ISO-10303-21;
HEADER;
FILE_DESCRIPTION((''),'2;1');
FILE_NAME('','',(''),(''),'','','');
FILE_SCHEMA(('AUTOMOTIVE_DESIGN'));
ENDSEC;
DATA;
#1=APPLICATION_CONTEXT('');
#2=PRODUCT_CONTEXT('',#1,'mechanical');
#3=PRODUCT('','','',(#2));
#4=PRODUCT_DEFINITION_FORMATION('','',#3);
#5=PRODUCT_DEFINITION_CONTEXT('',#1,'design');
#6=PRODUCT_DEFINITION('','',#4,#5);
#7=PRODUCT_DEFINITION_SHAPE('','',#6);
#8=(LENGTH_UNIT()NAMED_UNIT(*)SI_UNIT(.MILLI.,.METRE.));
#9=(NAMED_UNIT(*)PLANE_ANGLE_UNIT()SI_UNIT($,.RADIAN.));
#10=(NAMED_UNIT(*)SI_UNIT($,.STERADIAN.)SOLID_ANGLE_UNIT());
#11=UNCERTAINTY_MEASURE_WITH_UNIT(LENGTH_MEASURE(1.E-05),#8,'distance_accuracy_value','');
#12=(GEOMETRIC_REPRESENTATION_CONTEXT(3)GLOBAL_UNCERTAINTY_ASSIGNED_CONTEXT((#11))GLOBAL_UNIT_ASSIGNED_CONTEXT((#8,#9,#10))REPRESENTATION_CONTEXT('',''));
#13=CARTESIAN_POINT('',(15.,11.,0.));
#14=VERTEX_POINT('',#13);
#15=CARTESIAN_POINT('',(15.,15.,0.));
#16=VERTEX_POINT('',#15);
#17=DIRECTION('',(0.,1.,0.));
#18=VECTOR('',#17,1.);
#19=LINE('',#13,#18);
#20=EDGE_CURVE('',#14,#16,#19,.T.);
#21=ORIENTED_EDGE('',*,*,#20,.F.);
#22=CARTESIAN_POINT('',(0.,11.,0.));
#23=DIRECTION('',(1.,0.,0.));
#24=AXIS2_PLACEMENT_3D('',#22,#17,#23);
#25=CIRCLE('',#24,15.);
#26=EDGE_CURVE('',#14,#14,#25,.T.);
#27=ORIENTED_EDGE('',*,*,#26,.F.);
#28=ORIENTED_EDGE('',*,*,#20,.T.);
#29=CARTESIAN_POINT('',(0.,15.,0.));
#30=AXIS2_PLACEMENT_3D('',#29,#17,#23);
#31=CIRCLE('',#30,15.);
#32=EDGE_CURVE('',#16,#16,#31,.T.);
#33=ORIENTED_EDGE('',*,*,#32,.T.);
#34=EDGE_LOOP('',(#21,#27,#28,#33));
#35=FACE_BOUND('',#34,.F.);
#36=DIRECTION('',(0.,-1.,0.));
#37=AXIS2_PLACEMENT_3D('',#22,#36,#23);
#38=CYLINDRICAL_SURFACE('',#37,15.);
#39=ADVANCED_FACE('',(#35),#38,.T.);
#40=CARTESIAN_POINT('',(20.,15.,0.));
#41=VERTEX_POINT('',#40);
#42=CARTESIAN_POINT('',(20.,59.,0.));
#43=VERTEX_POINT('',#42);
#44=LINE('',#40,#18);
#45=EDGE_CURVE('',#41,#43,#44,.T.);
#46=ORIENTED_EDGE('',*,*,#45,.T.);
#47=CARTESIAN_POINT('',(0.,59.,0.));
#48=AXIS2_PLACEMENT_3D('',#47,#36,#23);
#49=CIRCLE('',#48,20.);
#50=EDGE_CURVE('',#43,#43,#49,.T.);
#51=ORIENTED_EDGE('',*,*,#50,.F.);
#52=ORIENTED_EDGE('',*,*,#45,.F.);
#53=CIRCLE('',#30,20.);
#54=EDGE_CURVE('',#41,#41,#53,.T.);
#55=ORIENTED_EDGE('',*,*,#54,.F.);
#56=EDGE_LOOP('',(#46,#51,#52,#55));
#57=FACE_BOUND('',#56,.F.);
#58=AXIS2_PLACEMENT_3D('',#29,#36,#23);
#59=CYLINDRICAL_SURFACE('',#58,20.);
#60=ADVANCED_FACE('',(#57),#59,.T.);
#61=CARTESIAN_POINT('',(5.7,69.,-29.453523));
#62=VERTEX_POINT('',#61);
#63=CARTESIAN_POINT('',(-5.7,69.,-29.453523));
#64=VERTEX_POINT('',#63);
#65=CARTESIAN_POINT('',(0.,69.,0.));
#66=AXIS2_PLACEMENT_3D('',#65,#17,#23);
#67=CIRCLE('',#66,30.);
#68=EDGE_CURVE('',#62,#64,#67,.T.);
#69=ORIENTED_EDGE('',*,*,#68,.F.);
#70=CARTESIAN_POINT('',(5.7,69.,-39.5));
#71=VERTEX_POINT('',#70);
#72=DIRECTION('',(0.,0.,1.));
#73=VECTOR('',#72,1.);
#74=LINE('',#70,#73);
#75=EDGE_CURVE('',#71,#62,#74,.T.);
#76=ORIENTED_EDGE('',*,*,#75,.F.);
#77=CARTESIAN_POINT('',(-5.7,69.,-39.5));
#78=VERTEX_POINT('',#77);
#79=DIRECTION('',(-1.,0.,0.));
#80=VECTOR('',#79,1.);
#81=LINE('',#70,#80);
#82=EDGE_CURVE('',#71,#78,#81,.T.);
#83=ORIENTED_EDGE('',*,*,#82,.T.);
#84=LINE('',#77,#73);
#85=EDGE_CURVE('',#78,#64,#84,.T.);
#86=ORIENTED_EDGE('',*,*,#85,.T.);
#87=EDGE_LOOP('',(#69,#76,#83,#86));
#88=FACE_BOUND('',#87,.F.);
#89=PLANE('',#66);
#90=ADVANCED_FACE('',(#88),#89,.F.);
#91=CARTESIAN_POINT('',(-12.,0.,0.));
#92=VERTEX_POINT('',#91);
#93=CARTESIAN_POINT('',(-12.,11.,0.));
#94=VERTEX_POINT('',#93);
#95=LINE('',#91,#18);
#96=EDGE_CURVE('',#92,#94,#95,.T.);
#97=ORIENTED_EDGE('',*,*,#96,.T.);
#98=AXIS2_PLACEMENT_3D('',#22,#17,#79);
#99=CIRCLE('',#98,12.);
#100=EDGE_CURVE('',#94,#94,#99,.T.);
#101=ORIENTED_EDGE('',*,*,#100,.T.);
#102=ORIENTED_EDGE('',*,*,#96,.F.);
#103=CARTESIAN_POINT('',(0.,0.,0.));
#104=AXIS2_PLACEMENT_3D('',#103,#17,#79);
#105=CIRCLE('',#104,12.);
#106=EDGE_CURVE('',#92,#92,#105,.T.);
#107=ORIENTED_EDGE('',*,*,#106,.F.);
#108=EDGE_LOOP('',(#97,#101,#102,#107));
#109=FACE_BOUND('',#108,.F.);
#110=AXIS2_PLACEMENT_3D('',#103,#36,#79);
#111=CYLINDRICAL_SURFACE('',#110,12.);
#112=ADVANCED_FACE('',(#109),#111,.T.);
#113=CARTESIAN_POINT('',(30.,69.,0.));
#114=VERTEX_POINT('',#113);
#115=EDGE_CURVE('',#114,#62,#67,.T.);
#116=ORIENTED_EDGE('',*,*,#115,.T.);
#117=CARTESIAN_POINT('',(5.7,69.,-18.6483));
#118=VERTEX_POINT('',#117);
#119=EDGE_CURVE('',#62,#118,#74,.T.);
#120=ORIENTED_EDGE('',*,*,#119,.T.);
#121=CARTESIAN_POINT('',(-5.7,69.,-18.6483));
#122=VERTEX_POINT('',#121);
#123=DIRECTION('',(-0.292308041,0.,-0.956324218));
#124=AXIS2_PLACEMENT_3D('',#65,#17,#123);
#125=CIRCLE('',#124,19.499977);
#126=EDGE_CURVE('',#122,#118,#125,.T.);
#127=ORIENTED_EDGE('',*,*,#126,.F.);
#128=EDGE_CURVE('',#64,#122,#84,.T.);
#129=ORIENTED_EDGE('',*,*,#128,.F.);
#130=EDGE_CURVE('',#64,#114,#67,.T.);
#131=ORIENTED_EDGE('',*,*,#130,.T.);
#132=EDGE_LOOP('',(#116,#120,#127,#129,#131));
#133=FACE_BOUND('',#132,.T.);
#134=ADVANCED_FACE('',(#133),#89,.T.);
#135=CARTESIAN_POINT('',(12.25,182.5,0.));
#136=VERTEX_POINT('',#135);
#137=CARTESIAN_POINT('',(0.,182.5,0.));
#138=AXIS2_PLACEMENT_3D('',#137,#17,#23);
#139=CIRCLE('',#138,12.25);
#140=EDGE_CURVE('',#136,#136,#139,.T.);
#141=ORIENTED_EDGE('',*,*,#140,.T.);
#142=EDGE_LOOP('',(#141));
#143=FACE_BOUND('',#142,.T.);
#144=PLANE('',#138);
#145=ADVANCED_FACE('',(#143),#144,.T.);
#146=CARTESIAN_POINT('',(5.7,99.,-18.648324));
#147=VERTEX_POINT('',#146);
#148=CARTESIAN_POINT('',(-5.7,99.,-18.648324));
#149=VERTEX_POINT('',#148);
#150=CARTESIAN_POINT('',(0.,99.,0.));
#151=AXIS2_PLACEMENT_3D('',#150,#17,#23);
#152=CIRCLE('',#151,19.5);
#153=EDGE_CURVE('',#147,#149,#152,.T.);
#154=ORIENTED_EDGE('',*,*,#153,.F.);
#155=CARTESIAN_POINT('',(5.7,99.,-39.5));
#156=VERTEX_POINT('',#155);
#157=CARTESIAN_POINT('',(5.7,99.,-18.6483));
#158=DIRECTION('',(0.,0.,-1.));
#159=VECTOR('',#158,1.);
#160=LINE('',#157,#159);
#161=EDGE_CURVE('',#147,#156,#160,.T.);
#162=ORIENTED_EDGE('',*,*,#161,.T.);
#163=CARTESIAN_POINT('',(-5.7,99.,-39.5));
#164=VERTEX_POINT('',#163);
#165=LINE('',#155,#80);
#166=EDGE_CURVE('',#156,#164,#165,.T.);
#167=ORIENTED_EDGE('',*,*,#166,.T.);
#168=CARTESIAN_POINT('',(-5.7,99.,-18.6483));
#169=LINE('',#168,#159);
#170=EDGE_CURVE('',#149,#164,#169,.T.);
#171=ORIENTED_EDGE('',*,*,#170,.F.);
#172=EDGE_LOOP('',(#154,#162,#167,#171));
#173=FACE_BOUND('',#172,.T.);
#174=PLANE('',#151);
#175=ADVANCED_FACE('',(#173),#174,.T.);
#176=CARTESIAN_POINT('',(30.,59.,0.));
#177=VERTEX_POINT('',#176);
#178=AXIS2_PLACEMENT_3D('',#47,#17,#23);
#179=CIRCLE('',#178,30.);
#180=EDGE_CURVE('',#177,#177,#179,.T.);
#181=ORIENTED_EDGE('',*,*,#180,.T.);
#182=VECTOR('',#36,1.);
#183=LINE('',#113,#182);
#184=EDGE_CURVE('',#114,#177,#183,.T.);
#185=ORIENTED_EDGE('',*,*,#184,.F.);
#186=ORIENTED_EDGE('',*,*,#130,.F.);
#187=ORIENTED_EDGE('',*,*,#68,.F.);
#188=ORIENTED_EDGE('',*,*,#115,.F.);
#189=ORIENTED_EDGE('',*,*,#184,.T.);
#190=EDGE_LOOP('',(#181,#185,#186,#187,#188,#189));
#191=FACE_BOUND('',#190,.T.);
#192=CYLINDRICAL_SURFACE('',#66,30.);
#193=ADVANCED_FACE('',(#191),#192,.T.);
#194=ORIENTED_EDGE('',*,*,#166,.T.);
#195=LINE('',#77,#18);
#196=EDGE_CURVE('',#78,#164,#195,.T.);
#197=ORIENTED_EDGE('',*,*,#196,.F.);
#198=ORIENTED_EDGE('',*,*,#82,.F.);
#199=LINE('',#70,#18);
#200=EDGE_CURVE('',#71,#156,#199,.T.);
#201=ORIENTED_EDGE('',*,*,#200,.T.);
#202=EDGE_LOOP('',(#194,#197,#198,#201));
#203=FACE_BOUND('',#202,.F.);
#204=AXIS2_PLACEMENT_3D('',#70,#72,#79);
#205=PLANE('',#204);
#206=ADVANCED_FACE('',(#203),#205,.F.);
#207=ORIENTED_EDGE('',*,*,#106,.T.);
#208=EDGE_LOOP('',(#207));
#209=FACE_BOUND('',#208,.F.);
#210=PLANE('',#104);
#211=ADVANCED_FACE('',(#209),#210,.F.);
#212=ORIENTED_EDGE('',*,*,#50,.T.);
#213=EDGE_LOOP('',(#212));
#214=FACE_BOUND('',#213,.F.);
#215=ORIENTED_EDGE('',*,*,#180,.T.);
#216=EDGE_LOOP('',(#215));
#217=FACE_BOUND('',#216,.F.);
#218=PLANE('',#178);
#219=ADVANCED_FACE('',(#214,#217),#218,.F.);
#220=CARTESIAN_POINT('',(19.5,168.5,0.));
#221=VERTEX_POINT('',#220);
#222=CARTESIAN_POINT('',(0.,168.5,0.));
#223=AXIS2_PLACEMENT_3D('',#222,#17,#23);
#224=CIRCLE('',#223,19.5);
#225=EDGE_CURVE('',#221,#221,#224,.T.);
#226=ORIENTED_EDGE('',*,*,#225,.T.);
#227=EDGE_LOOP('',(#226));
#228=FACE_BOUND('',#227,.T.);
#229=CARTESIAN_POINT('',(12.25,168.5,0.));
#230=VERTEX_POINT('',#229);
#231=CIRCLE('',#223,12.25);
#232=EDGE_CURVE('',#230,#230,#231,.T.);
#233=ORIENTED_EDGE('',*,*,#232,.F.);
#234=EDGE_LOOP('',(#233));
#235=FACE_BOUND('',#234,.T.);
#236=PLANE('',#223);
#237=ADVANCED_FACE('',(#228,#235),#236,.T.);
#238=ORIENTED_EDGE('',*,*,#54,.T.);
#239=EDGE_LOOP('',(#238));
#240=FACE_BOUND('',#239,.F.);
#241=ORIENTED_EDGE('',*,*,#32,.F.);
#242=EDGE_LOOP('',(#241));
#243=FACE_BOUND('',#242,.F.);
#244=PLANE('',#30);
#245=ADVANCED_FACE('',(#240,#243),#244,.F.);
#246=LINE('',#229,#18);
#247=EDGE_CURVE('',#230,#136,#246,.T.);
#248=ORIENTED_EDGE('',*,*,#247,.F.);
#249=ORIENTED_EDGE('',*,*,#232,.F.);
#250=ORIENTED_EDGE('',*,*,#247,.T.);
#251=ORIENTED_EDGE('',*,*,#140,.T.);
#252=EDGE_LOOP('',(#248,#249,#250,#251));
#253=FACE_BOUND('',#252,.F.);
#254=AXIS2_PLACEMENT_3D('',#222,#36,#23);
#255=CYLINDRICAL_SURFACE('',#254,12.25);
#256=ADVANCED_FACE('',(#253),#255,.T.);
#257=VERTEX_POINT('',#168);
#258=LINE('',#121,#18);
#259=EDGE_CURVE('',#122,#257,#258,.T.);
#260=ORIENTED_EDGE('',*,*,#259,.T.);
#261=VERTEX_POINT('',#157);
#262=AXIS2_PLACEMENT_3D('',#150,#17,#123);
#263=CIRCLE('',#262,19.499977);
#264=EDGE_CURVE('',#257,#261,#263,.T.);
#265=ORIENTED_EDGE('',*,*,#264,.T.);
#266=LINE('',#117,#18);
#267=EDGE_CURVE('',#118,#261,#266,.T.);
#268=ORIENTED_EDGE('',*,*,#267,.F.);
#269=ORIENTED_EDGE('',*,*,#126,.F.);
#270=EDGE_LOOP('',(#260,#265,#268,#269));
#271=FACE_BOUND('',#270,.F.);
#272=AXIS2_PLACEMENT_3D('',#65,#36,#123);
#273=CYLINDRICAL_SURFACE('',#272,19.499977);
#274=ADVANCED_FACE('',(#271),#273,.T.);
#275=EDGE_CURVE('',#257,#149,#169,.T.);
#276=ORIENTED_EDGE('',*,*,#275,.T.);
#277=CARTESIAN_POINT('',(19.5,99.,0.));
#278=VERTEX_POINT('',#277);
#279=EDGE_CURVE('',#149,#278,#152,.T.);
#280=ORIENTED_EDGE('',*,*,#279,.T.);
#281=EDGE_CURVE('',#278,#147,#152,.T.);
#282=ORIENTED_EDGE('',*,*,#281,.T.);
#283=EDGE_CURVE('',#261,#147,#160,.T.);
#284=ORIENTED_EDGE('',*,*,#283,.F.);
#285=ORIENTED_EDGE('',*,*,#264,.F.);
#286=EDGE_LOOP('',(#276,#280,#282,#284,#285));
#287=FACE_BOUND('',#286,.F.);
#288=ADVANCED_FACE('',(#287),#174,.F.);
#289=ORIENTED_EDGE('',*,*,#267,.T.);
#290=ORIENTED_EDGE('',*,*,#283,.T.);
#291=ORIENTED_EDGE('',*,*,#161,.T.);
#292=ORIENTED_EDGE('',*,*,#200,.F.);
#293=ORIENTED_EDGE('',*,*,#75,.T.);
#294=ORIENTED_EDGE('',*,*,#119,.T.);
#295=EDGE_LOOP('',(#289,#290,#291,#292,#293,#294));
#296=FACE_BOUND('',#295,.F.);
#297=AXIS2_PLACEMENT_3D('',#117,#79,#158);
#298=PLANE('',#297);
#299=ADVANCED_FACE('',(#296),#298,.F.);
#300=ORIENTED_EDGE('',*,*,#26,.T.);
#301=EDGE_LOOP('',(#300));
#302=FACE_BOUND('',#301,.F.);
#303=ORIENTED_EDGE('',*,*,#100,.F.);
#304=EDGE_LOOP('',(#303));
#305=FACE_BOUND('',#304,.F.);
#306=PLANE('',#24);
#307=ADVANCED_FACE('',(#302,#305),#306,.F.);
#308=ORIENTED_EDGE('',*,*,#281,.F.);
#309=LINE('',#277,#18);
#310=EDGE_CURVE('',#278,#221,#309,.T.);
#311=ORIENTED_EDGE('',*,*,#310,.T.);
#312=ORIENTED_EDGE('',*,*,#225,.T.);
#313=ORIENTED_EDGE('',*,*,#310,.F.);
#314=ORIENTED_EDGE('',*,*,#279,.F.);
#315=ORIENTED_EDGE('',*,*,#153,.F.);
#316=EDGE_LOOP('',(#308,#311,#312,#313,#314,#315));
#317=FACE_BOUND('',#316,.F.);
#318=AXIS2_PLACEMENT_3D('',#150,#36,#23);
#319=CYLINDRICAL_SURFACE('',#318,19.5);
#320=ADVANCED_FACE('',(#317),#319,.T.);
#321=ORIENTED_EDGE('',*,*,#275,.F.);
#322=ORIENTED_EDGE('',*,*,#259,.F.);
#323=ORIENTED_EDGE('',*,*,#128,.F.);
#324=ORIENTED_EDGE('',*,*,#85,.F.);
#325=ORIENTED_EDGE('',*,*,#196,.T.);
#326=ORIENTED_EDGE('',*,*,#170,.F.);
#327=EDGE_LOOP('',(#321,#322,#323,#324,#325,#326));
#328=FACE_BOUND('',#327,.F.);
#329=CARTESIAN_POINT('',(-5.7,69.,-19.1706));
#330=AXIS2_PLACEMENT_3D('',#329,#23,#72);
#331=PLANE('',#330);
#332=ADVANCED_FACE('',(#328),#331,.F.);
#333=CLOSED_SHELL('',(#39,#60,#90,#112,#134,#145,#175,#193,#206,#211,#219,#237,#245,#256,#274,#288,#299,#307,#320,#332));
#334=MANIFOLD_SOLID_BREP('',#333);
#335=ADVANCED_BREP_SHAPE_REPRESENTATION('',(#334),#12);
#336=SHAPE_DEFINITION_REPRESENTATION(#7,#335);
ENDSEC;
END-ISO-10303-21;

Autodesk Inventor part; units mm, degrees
ref_plane "YZ Plane" through (0, 0, 0) normal (1, 0, 0) x (0, 1, 0)
ref_plane "XZ Plane" through (0, 0, 0) normal (0, 1, 0) x (-1, 0, 0)
ref_plane "XY Plane" through (0, 0, 0) normal (0, 0, 1) x (1, 0, 0)
sketch "Sketch1" plane through (0, 0, 0) normal (0, 1, 0) x (-1, 0, 0)
  circle A0 centre (0, 0) radius 12
  dimension "d0" = 24
extrude "Extrusion1" add sketch "Sketch1" along normal blind 11
sketch "Sketch2" plane through (0, 11, 0) normal (0, 1, 0) x (1, 0, 0)
  circle A0 centre (0, 0) radius 15
  dimension "d3" = 30
extrude "Extrusion2" add sketch "Sketch2" along normal blind 4
sketch "Sketch3" plane through (0, 15, 0) normal (0, 1, 0) x (1, 0, 0)
  circle A0 centre (0, 0) radius 20
  dimension "d6" = 40
extrude "Extrusion3" add sketch "Sketch3" along normal blind 54
sketch "Sketch6" plane through (0, 69, 0) normal (0, 1, 0) x (1, 0, 0)
  circle A0 centre (0, 0) radius 30
  dimension "d15" = 60
extrude "Extrusion6" add sketch "Sketch6" against normal blind 10
sketch "Sketch7" plane through (0, 69, 0) normal (0, 1, 0) x (1, 0, 0)
  arc A0 (-5.7, 18.6483) -> (5.7, 18.6483) centre (0, 0) ccw
  arc A1 (5.7, 19.1706) -> (-5.7, 19.1706) centre (0, 0) ccw
  circle A2 centre (0, 0) radius 20 projected
  line L0 (0, 20) -> (5.7, 20)
  line L1 (5.7, 20) -> (5.7, 39.5)
  line L2 (5.7, 39.5) -> (-5.7, 39.5)
  line L3 (-5.7, 39.5) -> (-5.7, 18.6483)
  line L4 (5.7, 18.6483) -> (5.7, 20)
  dimension "d18" = 39
  dimension "d19" = 40
  dimension "d20" = 5.7
  dimension "d21" = 19.5
  dimension "d22" = 11.4
extrude "Extrusion7" add sketch "Sketch7" along normal blind 30 contours L3 A1 L4 A0 | L3 L2 L1 L0 A1 | A1 L0 L4
sketch "Sketch8" plane through (0, 99, 0) normal (0, 1, 0) x (1, 0, 0)
  circle A0 centre (0, 0) radius 14.625
  circle A1 centre (0, 0) radius 15 projected
  circle A2 centre (0, 0) radius 19.5
  dimension "d27" = 39
extrude "Extrusion8" add sketch "Sketch8" along normal blind 69.5 contours A0 | A1 | A2
sketch "Sketch9" plane through (0, 168.5, 0) normal (0, 1, 0) x (1, 0, 0)
  circle A0 centre (0, 0) radius 12.25
  dimension "d28" = 24.5
extrude "Extrusion9" add sketch "Sketch9" along normal blind 14
properties part number "eje"
